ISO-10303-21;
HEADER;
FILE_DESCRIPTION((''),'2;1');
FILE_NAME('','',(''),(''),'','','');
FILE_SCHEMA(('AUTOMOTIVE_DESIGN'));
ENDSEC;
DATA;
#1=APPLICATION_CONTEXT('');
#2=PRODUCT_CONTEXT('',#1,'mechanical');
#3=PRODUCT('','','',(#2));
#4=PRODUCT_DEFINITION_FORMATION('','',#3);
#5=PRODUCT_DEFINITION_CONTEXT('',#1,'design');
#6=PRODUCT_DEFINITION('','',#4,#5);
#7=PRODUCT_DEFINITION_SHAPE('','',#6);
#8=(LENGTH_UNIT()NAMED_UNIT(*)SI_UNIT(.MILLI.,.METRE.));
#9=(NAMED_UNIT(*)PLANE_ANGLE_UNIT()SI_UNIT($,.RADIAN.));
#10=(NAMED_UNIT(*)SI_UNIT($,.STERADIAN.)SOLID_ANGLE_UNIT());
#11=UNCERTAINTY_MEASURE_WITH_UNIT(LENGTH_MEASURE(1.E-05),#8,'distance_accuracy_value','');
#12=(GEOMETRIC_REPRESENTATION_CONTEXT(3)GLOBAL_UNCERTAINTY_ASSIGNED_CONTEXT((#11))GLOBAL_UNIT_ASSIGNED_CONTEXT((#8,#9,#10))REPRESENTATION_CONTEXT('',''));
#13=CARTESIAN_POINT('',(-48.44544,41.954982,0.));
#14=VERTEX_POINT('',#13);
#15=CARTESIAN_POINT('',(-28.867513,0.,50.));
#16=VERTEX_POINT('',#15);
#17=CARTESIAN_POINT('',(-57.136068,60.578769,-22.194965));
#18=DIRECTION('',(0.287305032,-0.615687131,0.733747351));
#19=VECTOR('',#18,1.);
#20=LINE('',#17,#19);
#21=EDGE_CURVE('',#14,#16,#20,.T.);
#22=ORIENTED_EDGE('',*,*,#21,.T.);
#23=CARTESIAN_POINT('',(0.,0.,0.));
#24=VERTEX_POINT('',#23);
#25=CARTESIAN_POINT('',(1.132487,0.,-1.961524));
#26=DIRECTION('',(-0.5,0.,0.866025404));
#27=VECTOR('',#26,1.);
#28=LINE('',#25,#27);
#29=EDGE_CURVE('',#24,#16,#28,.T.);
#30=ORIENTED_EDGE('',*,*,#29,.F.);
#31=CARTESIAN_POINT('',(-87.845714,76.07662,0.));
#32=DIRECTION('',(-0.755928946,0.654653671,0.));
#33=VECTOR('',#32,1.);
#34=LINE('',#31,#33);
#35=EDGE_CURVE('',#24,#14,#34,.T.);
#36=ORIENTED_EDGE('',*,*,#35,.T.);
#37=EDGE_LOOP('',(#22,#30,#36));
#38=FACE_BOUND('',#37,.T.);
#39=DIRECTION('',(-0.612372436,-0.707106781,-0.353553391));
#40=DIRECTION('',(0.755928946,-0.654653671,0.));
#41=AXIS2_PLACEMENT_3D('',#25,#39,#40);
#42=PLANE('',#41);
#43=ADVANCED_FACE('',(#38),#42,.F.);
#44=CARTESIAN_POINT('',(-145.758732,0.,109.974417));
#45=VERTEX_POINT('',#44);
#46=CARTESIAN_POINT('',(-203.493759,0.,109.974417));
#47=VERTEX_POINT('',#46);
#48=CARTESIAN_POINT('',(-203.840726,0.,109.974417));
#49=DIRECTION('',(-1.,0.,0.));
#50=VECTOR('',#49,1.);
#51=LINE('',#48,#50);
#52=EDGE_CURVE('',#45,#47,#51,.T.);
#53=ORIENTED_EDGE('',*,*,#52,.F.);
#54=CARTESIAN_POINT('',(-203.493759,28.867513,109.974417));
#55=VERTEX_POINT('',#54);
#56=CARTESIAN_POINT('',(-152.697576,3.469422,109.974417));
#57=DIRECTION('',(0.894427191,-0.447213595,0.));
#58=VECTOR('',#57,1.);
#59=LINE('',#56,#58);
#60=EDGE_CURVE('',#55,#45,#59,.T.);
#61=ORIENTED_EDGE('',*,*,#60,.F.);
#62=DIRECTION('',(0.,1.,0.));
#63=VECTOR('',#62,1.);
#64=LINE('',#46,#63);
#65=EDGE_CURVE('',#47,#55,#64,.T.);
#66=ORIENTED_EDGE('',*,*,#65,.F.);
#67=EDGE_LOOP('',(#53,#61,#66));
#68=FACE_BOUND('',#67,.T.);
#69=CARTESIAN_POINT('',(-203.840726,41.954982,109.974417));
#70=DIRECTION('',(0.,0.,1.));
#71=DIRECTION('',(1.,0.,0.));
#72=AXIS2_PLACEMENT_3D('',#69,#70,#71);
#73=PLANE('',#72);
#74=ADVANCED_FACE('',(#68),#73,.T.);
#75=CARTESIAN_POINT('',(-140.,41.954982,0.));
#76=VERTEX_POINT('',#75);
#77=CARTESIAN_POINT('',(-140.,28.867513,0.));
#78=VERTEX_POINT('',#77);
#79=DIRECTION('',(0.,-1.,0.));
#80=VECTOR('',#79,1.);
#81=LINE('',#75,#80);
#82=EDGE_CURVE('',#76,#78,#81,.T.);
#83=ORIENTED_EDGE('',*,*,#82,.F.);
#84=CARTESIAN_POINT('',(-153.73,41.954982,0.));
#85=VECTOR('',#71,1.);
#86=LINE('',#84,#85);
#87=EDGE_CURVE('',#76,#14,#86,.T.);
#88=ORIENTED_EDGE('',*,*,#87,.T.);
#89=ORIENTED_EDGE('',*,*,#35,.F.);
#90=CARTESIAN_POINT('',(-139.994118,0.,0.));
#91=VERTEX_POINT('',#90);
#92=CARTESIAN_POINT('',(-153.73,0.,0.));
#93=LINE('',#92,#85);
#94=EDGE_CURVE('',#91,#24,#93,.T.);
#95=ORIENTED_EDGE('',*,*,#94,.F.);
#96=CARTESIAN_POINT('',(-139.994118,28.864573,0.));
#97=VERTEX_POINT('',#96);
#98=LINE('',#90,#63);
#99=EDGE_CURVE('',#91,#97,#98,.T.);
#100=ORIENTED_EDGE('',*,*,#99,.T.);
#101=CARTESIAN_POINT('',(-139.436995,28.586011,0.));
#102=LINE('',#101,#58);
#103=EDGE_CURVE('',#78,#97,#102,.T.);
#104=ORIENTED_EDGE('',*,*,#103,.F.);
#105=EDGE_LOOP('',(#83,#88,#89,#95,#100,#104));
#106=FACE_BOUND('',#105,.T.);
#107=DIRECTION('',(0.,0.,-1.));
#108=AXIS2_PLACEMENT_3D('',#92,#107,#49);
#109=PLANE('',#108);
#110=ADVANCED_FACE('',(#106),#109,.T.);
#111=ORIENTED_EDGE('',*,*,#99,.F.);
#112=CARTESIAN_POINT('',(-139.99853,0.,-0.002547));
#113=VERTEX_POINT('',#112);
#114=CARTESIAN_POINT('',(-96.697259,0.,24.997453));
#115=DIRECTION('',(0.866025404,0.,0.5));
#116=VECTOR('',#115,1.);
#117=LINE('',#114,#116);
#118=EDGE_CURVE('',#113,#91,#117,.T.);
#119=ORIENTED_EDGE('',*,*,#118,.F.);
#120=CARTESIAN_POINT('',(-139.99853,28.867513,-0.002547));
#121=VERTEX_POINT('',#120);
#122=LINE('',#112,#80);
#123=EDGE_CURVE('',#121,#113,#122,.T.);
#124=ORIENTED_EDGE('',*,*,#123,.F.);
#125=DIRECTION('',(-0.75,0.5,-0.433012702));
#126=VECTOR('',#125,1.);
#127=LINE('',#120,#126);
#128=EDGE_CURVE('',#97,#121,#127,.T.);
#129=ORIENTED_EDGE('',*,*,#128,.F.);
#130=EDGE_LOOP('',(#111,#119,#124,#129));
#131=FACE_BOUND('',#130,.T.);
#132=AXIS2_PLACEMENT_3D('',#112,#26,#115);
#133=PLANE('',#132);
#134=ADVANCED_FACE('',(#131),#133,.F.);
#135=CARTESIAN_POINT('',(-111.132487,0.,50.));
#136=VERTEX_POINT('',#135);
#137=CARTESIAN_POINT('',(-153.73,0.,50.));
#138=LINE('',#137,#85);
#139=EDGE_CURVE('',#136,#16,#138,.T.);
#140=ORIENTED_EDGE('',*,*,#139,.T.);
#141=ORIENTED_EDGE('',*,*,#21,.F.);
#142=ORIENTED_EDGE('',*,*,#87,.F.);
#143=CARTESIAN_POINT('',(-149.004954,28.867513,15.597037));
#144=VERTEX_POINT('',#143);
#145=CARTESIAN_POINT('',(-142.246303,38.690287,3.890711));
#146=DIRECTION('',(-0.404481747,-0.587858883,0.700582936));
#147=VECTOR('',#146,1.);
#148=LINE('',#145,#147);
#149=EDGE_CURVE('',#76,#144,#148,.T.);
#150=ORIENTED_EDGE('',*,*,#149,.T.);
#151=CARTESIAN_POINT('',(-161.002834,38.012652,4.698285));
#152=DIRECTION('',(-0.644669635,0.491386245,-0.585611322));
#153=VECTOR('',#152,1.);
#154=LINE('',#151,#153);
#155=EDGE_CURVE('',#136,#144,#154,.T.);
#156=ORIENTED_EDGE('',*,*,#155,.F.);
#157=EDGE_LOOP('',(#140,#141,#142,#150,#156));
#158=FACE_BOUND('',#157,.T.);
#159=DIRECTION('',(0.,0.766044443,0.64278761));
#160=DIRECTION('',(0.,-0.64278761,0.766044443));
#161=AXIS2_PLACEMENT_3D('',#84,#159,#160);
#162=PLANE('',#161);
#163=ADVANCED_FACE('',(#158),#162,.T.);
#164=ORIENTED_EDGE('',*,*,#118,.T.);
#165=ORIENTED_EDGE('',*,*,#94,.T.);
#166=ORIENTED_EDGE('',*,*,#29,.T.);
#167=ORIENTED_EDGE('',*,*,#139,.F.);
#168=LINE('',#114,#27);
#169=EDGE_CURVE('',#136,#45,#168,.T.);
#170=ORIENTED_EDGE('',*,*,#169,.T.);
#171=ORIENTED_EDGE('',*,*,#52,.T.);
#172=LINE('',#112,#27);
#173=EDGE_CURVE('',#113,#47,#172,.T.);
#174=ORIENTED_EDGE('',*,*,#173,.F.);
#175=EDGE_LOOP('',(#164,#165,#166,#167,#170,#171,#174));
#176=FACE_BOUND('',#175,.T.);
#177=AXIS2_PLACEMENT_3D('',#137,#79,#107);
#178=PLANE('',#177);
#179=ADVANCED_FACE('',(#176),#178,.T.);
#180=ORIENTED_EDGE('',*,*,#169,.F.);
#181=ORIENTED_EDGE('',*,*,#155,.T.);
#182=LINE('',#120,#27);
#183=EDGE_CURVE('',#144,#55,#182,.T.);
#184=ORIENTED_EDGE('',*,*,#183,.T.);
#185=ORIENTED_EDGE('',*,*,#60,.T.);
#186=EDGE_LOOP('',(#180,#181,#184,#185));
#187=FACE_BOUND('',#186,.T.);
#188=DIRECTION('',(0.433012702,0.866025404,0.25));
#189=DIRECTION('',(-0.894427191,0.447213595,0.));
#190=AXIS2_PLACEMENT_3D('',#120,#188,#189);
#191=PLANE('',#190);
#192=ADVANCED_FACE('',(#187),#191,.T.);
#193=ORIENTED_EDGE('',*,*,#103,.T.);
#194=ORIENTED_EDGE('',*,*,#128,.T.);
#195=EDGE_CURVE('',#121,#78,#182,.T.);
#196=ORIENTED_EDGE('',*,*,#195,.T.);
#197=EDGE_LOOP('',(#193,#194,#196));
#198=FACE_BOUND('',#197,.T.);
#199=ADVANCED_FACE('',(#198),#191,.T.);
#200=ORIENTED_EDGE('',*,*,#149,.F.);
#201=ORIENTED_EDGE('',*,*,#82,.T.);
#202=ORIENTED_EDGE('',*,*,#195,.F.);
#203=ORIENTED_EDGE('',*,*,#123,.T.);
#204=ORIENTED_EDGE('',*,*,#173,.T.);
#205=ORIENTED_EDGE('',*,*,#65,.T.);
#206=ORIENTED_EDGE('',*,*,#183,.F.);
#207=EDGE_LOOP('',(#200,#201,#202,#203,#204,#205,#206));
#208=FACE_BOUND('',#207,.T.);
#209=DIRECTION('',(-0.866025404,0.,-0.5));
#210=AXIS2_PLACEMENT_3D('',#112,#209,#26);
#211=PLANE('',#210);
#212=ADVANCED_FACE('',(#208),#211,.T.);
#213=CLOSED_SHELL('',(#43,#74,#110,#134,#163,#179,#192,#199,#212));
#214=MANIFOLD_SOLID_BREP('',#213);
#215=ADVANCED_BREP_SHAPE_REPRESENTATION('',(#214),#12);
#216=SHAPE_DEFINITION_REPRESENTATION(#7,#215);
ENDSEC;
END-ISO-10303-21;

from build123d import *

# Parameters (mm, degrees)
EXTRUDE1_DEPTH          = 153.73
EXTRUDE2_DEPTH          = 127.02
CUT_EXTRUDE1_DEPTH      = 42.954981559
CUT_EXTRUDE2_DEPTH      = 40
CUT_EXTRUDE2_DEPTH_BACK = 60
SKETCH10_W              = 60.093449
SKETCH10_H              = 28.719359
CUT_EXTRUDE3_DEPTH      = 42.954981559


with BuildPart() as part:
    # Sketch1 → Extrude1 (new body)
    with BuildSketch(Plane(origin=(0, 0, 0), x_dir=(0, 0, -1), z_dir=(1, 0, 0))):
        Polygon((0, 0), (0, 41.954981559), (-50, 0), align=None)
    extrude(amount=-EXTRUDE1_DEPTH)

    # Sketch4 → Extrude2 (add)
    with BuildSketch(Plane(origin=(-98.508529611, 0, 170.621778265), x_dir=(0.866025404, 0, 0.5), z_dir=(-0.5, 0, 0.866025404))):
        Polygon((-121.243556529, 28.867513459), (-71.243556529, 0), (-121.243556529, 0), align=None)
    extrude(amount=-EXTRUDE2_DEPTH)

    # Sketch6 → Cut-Extrude1 (cut, through all)
    with BuildSketch(Plane(origin=(0, 0, 0), x_dir=(1, 0, 0), z_dir=(0, 1, 0))):
        Polygon((-161.048753394, -36.457510316), (-140, 0), (-161.048753394, 0), align=None)
    extrude(amount=CUT_EXTRUDE1_DEPTH, mode=Mode.SUBTRACT)

    # Sketch9 → Cut-Extrude2 (cut, two sides)
    with BuildSketch(Plane(origin=(-28.867513459, 0, 50), x_dir=(0.866025404, 0, 0.5), z_dir=(-0.5, 0, 0.866025404))) as cut_extrude2_sk:
        Polygon((33.293903828, 48.675552454), (33.293903828, 0), (0, 0), (-48.675552454, 48.675552454), align=None)
    extrude(amount=CUT_EXTRUDE2_DEPTH, mode=Mode.SUBTRACT)
    extrude(cut_extrude2_sk.sketch, amount=-CUT_EXTRUDE2_DEPTH_BACK, mode=Mode.SUBTRACT)

    # Sketch10 → Cut-Extrude3 (cut, through all)
    with BuildSketch(Plane(origin=(0, 0, 0), x_dir=(1, 0, 0), z_dir=(0, 1, 0))):
        with Locations((-173.7940015, -124.3340965)):
            Rectangle(SKETCH10_W, SKETCH10_H)
    extrude(amount=CUT_EXTRUDE3_DEPTH, mode=Mode.SUBTRACT)


solid = part.part
